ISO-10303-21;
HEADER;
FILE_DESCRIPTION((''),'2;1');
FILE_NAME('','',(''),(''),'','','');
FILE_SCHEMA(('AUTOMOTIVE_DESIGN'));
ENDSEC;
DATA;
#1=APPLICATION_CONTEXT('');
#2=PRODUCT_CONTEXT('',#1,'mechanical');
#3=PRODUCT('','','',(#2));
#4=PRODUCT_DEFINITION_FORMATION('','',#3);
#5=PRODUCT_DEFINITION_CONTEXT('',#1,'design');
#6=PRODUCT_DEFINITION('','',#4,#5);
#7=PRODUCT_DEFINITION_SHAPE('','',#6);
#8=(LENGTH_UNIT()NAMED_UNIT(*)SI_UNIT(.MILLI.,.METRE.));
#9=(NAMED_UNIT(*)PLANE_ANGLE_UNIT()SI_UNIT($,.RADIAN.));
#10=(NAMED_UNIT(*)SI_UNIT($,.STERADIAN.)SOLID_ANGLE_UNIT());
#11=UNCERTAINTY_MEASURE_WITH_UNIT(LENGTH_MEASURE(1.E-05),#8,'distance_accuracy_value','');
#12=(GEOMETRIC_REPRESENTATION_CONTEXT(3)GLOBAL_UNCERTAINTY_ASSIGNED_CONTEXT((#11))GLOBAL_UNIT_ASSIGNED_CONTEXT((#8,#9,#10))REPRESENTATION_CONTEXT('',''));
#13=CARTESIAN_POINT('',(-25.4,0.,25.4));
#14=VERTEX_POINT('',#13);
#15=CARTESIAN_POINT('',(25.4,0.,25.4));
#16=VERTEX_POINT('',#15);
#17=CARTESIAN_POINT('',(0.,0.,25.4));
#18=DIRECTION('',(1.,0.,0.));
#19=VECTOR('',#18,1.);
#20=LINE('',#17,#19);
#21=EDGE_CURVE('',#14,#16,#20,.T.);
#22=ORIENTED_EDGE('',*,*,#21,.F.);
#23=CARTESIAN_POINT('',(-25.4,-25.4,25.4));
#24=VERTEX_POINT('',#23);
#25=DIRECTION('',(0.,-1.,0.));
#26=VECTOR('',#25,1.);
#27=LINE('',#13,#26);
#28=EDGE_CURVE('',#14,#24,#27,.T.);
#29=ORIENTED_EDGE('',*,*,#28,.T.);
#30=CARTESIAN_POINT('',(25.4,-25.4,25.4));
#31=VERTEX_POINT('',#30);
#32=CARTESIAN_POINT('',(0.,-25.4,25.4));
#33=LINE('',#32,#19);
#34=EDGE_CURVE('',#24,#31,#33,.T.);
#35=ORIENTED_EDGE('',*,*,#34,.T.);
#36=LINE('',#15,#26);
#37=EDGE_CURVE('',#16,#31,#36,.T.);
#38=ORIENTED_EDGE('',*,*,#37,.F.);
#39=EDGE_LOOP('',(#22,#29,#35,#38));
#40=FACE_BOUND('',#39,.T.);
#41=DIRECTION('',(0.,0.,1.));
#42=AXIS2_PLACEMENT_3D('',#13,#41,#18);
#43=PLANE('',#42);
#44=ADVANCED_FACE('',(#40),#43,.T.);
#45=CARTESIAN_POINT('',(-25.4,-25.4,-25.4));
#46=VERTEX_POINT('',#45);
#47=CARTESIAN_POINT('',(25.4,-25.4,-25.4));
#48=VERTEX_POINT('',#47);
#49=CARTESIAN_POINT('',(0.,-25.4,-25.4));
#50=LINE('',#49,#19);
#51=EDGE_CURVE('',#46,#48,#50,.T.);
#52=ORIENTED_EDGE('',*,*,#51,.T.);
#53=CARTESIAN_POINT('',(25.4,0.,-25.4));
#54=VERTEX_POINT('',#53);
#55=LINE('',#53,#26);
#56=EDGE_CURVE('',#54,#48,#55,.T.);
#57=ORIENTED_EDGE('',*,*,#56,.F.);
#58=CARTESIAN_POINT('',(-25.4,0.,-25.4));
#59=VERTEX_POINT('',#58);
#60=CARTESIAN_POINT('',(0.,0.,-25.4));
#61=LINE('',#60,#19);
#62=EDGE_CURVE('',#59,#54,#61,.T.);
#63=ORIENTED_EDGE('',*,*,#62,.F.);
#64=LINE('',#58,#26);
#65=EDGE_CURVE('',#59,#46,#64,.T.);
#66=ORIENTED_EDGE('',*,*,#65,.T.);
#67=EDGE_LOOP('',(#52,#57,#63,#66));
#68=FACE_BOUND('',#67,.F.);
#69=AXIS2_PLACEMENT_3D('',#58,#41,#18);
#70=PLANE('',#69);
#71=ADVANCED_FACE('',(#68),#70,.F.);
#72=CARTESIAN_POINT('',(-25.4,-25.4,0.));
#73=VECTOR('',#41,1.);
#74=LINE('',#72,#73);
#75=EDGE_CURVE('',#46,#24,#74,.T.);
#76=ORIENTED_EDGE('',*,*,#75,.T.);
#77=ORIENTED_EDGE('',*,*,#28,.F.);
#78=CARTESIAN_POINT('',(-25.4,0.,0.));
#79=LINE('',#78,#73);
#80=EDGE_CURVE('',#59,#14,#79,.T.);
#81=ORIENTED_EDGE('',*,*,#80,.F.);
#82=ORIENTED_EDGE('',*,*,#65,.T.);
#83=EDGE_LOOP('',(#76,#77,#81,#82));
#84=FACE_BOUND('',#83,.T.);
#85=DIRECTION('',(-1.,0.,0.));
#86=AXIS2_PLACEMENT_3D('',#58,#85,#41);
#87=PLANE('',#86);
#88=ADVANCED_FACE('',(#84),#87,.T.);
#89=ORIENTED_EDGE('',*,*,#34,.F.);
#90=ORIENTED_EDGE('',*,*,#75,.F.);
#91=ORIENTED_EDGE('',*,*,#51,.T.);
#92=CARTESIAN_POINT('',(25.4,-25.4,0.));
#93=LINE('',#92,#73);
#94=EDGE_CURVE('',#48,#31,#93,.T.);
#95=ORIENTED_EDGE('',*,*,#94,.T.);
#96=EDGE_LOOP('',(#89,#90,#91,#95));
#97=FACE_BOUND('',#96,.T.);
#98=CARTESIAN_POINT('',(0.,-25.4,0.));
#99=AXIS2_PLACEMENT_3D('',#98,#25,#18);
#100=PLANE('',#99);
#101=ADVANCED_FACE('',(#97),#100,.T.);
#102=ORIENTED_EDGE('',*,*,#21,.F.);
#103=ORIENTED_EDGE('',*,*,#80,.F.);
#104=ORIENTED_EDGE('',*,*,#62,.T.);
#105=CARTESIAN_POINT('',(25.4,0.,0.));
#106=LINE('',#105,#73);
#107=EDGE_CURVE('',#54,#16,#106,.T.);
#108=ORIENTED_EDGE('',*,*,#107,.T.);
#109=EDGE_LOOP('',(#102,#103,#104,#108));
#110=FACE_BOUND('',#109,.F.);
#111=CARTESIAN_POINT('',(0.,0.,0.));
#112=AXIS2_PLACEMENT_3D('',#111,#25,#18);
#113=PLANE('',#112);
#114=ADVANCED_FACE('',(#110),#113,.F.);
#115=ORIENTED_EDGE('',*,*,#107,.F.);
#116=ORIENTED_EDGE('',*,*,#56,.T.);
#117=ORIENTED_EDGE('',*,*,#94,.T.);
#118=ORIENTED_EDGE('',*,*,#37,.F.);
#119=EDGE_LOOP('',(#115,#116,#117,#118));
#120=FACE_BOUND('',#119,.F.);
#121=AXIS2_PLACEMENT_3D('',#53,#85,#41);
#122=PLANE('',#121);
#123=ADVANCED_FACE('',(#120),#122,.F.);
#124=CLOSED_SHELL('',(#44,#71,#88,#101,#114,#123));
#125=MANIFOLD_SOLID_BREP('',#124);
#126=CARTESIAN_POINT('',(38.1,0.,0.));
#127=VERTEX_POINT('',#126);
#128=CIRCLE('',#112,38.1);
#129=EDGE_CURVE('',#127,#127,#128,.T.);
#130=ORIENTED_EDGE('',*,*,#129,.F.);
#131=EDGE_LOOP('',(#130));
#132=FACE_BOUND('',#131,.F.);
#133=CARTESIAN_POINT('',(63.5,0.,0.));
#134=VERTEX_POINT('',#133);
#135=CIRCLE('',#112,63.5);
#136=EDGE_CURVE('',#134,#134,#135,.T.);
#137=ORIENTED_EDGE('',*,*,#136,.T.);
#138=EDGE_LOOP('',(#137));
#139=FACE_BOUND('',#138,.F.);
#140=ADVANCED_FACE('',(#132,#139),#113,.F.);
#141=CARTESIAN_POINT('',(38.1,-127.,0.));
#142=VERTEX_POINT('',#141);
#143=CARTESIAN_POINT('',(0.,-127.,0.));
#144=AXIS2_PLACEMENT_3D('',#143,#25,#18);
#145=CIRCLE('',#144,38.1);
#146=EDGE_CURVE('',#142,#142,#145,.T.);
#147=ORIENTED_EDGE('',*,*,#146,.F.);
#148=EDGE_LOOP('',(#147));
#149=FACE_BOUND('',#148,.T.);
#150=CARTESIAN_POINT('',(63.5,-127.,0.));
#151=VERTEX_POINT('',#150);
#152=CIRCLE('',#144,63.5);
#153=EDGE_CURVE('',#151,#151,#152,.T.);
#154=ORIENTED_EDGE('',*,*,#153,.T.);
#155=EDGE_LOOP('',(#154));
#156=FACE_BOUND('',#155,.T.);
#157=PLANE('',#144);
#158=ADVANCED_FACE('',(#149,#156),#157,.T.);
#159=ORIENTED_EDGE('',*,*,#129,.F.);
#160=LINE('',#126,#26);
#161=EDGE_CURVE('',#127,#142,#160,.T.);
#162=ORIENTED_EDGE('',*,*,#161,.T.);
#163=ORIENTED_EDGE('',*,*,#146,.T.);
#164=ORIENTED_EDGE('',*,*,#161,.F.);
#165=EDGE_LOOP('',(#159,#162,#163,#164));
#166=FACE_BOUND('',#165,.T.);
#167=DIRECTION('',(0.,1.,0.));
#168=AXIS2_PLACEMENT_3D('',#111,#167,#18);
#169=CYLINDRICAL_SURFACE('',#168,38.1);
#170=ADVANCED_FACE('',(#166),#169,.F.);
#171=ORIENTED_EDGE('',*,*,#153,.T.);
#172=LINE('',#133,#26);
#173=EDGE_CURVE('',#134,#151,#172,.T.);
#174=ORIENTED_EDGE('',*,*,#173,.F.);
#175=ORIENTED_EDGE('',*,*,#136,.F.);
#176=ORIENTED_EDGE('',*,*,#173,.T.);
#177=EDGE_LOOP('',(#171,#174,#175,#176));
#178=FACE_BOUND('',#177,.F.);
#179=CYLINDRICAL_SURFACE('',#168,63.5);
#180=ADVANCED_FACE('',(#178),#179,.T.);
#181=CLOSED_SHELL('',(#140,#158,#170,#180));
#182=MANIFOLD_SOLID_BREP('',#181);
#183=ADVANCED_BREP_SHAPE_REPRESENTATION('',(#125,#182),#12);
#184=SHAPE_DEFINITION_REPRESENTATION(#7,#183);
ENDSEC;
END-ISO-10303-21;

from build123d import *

# Parameters (mm, degrees)
F0_R     = 63.5
F0_R_2   = 50.8
F0_R_3   = 38.1
F1_DEPTH = 127
F2_W     = 50.8
F2_H     = 50.8
F3_DEPTH = 25.4


with BuildPart() as f1:
    # F0 (on Front) → F1 (new body)
    with BuildSketch(Plane.XZ):
        Circle(F0_R)
        Circle(F0_R_2, mode=Mode.SUBTRACT)
        Circle(F0_R_2)
        Circle(F0_R_3, mode=Mode.SUBTRACT)
    extrude(amount=F1_DEPTH)


with BuildPart() as f3:
    # F2 (on Front) → F3 (new body)
    with BuildSketch(Plane.XZ):
        Rectangle(F2_W, F2_H)
    extrude(amount=F3_DEPTH)


solid = Compound([f1.part, f3.part])
